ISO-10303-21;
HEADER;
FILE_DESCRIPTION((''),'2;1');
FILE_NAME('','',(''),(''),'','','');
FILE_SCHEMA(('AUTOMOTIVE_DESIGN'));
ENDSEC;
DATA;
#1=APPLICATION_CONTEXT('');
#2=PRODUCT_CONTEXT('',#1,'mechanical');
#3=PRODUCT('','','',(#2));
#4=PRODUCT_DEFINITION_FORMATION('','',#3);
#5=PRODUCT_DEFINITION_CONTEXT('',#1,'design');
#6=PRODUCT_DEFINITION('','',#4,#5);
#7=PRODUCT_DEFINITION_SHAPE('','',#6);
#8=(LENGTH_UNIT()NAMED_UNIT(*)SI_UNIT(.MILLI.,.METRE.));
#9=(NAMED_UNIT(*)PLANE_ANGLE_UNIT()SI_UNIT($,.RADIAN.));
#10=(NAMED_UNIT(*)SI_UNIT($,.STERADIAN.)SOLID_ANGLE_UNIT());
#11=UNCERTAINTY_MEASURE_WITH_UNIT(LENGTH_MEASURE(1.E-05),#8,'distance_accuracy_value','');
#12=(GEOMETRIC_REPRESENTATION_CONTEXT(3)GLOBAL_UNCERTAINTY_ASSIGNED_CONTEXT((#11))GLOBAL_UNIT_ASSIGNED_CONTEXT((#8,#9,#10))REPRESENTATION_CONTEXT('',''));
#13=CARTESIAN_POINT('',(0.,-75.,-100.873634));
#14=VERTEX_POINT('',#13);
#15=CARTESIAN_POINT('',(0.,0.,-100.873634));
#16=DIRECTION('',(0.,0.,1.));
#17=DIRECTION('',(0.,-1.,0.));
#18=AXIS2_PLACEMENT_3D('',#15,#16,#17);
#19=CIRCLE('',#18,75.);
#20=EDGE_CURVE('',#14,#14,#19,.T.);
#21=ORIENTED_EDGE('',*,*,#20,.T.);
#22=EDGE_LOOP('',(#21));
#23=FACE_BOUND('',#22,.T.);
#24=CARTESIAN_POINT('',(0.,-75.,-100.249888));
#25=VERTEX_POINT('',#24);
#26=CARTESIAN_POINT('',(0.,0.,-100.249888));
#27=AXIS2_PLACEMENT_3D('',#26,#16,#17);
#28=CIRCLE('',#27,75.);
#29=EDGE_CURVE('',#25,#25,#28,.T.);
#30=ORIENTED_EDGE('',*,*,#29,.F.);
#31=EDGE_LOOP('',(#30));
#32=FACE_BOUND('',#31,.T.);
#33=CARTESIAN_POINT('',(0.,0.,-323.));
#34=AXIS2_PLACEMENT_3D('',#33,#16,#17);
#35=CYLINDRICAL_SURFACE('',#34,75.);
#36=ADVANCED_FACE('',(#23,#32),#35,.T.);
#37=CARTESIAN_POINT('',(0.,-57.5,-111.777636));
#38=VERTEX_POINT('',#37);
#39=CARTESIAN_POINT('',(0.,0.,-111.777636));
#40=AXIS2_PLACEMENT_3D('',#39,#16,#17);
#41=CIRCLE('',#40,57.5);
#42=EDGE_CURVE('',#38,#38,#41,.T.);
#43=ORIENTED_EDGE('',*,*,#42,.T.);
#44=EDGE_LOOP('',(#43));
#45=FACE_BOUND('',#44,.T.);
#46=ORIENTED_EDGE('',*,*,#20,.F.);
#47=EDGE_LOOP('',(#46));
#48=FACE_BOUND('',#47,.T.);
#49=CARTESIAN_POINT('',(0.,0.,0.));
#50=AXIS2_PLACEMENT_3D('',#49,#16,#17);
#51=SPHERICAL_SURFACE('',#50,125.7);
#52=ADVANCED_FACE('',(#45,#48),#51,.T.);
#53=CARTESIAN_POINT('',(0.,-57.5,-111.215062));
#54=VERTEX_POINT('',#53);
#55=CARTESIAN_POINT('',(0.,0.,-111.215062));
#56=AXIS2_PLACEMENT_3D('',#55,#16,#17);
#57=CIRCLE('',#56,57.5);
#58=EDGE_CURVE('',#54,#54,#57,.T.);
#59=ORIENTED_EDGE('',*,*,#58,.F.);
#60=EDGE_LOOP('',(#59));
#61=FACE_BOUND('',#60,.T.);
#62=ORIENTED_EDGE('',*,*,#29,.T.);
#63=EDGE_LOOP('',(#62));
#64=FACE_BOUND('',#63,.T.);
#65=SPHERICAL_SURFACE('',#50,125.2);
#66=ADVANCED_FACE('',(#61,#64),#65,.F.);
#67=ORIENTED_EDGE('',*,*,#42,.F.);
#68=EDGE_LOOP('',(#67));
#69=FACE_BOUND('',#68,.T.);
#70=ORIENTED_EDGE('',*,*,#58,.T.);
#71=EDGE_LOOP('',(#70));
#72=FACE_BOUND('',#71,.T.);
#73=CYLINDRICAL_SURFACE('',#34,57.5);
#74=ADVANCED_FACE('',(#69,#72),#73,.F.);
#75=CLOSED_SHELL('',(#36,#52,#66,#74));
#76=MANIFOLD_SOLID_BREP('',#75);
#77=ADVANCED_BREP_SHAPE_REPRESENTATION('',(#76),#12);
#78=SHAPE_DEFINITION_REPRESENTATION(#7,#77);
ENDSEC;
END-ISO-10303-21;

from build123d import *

# Parameters (mm, degrees)
REVOLVE_1_ANGLE      = 180
SHELL_1_T            = 0.5
SKETCH_2_OUTSIDE_W   = 328.82
SKETCH_2_OUTSIDE_H   = 328.82
SKETCH_2_OUTSIDE_R   = 75
SKETCH_2_OUTSIDE_R_2 = 57.5
CUT_EXTRUDE_1_DEPTH  = 323


with BuildPart() as part:
    # 草图1 → 旋转1 (revolve)
    with BuildSketch(Plane.XY):
        with BuildLine():
            Line((0, -125.2), (0, 125.2))
            ThreePointArc((0, 125.2), (-125.2, 0), (0, -125.2))
        make_face()
    revolve(axis=Axis((0, 175.755690027, 0), (0, -1, 0)), revolution_arc=REVOLVE_1_ANGLE)

    # 抽壳1
    shell_1_openings = [part.faces().sort_by_distance(p)[0] for p in [
        (0, 0, 0),
    ]]
    offset(amount=SHELL_1_T, openings=shell_1_openings)

    # 草图2 outside → 切除-拉伸1 (cut)
    with BuildSketch(Plane(origin=(0, 0, 0), x_dir=(1, 0, 0), z_dir=(0, 0, -1))):
        Rectangle(SKETCH_2_OUTSIDE_W, SKETCH_2_OUTSIDE_H)
        with Locations(Location((0, 0, 0), (0, 0, 90))):
            Circle(SKETCH_2_OUTSIDE_R, mode=Mode.SUBTRACT)
        with Locations(Location((0, 0, 0), (0, 0, 90))):
            Circle(SKETCH_2_OUTSIDE_R_2)
    extrude(amount=CUT_EXTRUDE_1_DEPTH, mode=Mode.SUBTRACT)


solid = part.part
